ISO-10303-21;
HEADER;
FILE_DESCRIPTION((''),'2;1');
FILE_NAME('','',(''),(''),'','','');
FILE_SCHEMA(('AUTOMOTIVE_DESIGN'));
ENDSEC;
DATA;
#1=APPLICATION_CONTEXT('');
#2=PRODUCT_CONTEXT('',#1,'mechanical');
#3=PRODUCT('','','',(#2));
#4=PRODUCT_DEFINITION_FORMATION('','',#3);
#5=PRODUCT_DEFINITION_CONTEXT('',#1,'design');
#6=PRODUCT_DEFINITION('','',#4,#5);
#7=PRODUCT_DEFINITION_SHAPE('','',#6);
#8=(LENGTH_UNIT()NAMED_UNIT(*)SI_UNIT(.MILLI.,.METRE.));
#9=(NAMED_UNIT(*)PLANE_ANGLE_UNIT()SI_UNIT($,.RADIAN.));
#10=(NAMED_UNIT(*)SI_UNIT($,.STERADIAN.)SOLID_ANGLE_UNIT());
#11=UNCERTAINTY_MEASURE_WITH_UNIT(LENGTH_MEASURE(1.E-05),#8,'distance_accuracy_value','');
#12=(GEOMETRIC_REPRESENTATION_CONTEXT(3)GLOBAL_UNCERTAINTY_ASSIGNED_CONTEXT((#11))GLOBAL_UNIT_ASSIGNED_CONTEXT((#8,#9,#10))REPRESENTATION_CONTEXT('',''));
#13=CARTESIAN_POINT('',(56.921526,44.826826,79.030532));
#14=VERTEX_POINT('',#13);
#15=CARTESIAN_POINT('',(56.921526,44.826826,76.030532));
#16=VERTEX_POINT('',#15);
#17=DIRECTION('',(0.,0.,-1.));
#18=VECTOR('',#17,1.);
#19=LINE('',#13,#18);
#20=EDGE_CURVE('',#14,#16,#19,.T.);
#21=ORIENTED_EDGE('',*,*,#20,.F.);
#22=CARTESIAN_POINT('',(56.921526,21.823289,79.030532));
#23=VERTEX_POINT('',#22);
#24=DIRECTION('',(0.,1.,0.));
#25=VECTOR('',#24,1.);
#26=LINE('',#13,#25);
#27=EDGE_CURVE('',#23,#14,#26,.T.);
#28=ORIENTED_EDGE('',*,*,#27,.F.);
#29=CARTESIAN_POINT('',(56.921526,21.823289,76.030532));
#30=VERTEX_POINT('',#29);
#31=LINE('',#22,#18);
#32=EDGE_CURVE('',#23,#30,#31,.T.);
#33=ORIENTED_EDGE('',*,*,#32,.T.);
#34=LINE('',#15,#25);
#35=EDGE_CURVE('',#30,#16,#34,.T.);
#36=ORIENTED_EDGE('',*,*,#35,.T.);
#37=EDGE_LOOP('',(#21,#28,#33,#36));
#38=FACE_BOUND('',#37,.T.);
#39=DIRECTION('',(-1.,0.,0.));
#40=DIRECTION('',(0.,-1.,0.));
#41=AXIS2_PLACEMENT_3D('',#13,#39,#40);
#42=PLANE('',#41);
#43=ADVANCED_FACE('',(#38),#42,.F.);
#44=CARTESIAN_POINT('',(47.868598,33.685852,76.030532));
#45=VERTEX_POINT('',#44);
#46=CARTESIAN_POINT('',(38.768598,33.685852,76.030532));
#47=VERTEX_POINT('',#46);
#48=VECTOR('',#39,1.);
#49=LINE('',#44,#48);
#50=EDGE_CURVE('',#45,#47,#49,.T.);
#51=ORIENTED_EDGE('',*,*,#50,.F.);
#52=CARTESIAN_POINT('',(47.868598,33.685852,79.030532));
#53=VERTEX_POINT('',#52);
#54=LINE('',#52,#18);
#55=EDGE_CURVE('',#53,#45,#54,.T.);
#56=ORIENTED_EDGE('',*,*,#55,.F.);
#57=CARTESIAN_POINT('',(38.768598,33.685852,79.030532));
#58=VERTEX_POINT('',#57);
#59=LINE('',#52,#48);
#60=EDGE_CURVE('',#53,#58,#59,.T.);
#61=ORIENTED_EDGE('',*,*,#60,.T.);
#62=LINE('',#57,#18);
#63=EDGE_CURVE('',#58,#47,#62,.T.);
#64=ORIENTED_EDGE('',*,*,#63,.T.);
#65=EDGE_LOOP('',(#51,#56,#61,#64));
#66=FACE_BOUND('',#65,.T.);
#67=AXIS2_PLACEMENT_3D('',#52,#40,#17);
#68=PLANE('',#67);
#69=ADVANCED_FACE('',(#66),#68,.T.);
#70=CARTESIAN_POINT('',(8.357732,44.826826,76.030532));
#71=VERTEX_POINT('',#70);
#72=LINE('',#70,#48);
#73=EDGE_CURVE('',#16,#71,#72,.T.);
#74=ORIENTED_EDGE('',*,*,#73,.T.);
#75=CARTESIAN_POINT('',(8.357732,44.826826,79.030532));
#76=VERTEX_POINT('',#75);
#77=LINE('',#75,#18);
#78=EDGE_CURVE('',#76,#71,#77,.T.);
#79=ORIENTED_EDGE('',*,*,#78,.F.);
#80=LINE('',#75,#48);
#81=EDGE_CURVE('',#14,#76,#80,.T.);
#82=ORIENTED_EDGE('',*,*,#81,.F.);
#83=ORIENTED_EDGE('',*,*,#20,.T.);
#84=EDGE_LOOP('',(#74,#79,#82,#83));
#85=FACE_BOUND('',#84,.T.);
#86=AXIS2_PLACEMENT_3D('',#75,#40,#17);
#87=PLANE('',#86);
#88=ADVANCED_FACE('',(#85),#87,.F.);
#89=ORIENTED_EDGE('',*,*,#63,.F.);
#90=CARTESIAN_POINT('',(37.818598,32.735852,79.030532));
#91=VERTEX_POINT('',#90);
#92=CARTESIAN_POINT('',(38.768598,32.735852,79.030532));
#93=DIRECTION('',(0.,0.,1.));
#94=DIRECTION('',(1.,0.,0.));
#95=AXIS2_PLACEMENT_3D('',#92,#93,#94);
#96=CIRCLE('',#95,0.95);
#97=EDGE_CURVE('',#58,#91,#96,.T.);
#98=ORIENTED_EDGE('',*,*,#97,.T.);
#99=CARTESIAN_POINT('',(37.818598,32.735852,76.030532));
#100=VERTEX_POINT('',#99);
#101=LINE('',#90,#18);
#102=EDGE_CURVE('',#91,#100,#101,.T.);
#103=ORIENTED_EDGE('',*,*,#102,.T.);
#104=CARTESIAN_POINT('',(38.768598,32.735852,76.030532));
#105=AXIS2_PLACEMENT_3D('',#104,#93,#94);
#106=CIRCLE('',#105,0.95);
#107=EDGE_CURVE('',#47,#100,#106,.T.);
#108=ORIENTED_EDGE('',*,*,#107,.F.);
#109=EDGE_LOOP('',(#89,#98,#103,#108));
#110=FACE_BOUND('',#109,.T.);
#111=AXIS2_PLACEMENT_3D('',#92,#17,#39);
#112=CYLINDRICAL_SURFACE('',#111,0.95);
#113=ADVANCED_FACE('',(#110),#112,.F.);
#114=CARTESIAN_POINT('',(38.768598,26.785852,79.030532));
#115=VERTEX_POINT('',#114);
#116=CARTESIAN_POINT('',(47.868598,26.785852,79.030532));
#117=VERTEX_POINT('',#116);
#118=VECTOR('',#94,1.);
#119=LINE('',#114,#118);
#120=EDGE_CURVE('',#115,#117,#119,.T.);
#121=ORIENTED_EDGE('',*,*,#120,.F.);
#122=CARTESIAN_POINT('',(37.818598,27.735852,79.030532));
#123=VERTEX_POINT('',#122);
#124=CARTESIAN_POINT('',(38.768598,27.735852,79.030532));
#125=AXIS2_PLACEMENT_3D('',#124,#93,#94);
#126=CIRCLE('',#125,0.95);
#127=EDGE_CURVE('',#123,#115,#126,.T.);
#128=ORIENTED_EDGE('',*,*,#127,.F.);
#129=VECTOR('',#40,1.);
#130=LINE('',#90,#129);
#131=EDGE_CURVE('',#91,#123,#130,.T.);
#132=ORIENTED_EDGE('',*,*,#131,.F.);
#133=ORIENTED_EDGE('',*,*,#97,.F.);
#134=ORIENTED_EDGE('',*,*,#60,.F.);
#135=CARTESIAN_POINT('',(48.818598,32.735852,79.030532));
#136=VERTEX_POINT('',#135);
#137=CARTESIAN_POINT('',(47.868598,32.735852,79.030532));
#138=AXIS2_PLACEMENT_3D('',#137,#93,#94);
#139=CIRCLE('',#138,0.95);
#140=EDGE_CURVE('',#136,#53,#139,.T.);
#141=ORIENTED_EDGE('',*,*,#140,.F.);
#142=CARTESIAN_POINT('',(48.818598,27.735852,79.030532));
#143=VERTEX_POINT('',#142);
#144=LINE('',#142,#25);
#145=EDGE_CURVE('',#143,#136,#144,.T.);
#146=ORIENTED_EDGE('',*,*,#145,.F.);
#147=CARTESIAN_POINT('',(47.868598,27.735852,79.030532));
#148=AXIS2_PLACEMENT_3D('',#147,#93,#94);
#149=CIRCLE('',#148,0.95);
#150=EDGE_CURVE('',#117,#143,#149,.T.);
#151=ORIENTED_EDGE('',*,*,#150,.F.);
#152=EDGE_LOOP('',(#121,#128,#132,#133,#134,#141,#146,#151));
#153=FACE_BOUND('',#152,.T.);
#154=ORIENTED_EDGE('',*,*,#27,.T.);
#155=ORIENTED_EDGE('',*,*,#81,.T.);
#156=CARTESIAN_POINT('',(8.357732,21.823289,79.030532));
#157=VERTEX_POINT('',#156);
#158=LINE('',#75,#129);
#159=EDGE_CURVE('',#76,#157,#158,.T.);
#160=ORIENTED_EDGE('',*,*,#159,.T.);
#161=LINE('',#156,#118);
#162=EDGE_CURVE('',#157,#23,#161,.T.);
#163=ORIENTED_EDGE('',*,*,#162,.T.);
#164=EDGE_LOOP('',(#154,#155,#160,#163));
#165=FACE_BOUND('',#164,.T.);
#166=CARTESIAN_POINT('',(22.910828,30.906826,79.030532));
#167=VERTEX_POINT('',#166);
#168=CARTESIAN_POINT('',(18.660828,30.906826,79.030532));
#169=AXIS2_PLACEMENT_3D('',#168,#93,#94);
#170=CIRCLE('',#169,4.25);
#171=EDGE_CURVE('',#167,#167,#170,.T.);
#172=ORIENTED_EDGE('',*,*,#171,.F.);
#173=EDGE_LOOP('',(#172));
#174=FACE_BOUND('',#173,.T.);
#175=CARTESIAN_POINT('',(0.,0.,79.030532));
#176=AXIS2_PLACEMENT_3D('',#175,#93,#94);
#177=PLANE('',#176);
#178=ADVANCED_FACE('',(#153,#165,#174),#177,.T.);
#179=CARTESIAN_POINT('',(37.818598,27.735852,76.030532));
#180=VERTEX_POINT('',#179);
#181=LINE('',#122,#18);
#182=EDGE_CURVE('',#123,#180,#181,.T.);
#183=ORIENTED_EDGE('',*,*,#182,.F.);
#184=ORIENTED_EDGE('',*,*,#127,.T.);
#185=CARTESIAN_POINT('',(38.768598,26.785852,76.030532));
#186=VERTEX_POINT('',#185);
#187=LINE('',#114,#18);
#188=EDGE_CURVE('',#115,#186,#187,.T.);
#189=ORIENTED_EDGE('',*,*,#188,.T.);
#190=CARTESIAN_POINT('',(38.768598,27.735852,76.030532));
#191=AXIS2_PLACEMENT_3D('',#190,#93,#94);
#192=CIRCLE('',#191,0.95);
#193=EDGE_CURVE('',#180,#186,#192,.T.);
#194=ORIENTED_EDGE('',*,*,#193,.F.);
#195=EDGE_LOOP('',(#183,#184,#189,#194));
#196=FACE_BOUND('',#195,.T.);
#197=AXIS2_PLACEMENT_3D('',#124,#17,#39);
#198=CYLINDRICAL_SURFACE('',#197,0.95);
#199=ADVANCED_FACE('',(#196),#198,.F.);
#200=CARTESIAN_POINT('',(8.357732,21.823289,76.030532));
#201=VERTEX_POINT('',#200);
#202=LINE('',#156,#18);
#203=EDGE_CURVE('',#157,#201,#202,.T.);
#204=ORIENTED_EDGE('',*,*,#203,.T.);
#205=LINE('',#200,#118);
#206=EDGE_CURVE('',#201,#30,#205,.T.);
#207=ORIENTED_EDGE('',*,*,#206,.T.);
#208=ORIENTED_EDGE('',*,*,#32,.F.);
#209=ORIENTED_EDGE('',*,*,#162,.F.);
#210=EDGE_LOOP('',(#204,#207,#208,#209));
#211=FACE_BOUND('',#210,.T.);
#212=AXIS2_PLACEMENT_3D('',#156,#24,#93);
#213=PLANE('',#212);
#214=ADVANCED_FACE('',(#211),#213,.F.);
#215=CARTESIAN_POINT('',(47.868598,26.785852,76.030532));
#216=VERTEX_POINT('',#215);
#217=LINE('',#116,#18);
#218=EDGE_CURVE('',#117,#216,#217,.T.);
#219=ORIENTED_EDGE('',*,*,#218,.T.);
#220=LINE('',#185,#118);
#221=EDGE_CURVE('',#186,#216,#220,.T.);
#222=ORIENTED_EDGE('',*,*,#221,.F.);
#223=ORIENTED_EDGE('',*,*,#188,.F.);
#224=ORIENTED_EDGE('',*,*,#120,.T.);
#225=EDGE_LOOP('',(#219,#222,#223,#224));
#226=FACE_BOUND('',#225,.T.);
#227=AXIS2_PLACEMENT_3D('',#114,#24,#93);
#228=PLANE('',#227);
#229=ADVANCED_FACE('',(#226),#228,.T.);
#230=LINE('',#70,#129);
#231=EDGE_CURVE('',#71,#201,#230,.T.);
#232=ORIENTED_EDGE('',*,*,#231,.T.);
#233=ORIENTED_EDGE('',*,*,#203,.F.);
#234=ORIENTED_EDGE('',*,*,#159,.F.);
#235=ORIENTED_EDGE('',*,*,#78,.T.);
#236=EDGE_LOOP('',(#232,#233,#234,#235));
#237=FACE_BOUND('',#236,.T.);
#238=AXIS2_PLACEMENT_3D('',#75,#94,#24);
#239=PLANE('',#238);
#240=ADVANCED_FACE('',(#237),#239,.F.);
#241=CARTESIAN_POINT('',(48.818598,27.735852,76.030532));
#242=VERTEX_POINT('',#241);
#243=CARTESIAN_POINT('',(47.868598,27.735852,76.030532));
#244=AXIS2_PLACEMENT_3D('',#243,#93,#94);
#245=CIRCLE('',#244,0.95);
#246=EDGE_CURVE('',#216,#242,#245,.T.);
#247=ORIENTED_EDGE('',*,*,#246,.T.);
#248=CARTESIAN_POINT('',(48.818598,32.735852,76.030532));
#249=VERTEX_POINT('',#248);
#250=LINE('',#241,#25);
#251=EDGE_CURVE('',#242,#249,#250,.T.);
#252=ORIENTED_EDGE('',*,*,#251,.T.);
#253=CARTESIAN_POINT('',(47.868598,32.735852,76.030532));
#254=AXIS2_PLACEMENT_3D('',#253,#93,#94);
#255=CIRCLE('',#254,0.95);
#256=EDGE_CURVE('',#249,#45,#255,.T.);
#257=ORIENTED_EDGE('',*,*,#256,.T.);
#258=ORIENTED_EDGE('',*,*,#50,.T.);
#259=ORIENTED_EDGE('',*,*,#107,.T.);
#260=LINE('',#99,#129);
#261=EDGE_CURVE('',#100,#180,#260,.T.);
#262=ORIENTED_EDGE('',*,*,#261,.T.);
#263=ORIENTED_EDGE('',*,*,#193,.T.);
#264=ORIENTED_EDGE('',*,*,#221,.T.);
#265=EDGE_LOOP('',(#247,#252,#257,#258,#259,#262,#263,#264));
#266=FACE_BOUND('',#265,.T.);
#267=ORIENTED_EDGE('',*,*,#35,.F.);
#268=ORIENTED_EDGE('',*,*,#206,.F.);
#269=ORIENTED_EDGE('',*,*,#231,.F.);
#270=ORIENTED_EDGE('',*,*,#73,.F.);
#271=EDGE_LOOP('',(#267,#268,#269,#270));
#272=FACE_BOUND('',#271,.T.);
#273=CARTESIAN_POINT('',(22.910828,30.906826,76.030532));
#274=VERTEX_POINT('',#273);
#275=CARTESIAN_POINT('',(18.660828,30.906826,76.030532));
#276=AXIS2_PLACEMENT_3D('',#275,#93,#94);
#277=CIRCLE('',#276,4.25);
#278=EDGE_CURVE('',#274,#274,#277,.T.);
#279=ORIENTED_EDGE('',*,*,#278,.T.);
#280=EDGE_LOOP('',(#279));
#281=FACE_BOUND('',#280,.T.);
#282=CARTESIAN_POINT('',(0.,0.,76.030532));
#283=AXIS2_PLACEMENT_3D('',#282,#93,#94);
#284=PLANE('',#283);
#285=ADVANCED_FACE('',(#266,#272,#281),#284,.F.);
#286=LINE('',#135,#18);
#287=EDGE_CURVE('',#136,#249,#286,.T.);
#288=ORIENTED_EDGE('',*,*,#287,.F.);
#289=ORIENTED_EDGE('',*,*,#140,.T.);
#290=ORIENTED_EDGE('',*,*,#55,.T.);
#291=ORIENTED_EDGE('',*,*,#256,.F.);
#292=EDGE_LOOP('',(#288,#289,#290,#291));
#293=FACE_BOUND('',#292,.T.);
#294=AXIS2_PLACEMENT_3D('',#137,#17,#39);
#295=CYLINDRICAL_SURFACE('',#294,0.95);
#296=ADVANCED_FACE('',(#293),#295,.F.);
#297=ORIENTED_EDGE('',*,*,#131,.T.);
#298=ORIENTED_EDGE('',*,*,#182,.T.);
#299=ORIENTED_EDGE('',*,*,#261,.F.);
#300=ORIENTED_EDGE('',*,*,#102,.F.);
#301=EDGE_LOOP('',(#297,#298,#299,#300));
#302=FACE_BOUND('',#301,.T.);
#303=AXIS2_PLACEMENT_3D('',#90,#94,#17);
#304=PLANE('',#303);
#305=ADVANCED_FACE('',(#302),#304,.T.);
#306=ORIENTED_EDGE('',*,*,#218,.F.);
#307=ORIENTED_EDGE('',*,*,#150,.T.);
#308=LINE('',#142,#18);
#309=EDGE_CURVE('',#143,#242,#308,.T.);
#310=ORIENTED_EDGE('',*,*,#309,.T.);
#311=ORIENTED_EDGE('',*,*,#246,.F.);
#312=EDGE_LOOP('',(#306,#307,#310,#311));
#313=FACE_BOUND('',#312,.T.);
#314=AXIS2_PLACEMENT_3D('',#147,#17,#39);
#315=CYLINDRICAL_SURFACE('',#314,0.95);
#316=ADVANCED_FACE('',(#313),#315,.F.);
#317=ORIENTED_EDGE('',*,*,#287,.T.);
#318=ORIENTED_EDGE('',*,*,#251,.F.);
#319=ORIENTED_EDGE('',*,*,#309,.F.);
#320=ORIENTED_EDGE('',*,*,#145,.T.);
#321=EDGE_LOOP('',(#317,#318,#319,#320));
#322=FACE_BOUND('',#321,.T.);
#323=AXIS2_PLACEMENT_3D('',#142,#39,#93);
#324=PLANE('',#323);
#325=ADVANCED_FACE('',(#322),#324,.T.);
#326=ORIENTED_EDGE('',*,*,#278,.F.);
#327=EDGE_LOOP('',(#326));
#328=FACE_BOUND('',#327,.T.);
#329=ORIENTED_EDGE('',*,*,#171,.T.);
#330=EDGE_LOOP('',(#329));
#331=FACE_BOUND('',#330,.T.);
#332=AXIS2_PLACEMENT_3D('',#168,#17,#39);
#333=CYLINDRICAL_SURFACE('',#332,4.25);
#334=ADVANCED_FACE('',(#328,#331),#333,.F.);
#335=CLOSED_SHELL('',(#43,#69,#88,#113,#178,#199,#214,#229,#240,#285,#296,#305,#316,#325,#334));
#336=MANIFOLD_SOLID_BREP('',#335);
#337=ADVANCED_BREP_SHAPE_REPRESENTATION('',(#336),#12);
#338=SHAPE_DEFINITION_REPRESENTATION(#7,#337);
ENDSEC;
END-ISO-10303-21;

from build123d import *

# Parameters (mm, degrees)
BOSS_EXTRUDE1_START = 0.25
SKETCH1_W           = 48.563793396
SKETCH1_H           = 23.003536126
SKETCH1_R           = 4.25
BOSS_EXTRUDE1_DEPTH = 3


with BuildPart() as part:
    # Sketch1 → Boss-Extrude1 (new body)
    with BuildSketch(Plane.XY.offset(75.780531955).offset(BOSS_EXTRUDE1_START)):
        with Locations((32.639628913, 33.325057501)):
            Rectangle(SKETCH1_W, SKETCH1_H)
        with Locations((18.660828036, 30.906825564)):
            Circle(SKETCH1_R, mode=Mode.SUBTRACT)
        with BuildLine():
            Line((37.818598421, 32.735851952), (37.818598421, 27.735851952))
            ThreePointArc((37.818598421, 27.735851952), (38.096846979, 27.06410051), (38.768598421, 26.785851952))
            Line((38.768598421, 26.785851952), (47.868598421, 26.785851952))
            ThreePointArc((47.868598421, 26.785851952), (48.540349863, 27.06410051), (48.818598421, 27.735851952))
            Line((48.818598421, 27.735851952), (48.818598421, 32.735851952))
            ThreePointArc((48.818598421, 32.735851952), (48.540349863, 33.407603394), (47.868598421, 33.685851952))
            Line((47.868598421, 33.685851952), (38.768598421, 33.685851952))
            ThreePointArc((38.768598421, 33.685851952), (38.096846979, 33.407603394), (37.818598421, 32.735851952))
        make_face(mode=Mode.SUBTRACT)
    extrude(amount=BOSS_EXTRUDE1_DEPTH)


solid = part.part
